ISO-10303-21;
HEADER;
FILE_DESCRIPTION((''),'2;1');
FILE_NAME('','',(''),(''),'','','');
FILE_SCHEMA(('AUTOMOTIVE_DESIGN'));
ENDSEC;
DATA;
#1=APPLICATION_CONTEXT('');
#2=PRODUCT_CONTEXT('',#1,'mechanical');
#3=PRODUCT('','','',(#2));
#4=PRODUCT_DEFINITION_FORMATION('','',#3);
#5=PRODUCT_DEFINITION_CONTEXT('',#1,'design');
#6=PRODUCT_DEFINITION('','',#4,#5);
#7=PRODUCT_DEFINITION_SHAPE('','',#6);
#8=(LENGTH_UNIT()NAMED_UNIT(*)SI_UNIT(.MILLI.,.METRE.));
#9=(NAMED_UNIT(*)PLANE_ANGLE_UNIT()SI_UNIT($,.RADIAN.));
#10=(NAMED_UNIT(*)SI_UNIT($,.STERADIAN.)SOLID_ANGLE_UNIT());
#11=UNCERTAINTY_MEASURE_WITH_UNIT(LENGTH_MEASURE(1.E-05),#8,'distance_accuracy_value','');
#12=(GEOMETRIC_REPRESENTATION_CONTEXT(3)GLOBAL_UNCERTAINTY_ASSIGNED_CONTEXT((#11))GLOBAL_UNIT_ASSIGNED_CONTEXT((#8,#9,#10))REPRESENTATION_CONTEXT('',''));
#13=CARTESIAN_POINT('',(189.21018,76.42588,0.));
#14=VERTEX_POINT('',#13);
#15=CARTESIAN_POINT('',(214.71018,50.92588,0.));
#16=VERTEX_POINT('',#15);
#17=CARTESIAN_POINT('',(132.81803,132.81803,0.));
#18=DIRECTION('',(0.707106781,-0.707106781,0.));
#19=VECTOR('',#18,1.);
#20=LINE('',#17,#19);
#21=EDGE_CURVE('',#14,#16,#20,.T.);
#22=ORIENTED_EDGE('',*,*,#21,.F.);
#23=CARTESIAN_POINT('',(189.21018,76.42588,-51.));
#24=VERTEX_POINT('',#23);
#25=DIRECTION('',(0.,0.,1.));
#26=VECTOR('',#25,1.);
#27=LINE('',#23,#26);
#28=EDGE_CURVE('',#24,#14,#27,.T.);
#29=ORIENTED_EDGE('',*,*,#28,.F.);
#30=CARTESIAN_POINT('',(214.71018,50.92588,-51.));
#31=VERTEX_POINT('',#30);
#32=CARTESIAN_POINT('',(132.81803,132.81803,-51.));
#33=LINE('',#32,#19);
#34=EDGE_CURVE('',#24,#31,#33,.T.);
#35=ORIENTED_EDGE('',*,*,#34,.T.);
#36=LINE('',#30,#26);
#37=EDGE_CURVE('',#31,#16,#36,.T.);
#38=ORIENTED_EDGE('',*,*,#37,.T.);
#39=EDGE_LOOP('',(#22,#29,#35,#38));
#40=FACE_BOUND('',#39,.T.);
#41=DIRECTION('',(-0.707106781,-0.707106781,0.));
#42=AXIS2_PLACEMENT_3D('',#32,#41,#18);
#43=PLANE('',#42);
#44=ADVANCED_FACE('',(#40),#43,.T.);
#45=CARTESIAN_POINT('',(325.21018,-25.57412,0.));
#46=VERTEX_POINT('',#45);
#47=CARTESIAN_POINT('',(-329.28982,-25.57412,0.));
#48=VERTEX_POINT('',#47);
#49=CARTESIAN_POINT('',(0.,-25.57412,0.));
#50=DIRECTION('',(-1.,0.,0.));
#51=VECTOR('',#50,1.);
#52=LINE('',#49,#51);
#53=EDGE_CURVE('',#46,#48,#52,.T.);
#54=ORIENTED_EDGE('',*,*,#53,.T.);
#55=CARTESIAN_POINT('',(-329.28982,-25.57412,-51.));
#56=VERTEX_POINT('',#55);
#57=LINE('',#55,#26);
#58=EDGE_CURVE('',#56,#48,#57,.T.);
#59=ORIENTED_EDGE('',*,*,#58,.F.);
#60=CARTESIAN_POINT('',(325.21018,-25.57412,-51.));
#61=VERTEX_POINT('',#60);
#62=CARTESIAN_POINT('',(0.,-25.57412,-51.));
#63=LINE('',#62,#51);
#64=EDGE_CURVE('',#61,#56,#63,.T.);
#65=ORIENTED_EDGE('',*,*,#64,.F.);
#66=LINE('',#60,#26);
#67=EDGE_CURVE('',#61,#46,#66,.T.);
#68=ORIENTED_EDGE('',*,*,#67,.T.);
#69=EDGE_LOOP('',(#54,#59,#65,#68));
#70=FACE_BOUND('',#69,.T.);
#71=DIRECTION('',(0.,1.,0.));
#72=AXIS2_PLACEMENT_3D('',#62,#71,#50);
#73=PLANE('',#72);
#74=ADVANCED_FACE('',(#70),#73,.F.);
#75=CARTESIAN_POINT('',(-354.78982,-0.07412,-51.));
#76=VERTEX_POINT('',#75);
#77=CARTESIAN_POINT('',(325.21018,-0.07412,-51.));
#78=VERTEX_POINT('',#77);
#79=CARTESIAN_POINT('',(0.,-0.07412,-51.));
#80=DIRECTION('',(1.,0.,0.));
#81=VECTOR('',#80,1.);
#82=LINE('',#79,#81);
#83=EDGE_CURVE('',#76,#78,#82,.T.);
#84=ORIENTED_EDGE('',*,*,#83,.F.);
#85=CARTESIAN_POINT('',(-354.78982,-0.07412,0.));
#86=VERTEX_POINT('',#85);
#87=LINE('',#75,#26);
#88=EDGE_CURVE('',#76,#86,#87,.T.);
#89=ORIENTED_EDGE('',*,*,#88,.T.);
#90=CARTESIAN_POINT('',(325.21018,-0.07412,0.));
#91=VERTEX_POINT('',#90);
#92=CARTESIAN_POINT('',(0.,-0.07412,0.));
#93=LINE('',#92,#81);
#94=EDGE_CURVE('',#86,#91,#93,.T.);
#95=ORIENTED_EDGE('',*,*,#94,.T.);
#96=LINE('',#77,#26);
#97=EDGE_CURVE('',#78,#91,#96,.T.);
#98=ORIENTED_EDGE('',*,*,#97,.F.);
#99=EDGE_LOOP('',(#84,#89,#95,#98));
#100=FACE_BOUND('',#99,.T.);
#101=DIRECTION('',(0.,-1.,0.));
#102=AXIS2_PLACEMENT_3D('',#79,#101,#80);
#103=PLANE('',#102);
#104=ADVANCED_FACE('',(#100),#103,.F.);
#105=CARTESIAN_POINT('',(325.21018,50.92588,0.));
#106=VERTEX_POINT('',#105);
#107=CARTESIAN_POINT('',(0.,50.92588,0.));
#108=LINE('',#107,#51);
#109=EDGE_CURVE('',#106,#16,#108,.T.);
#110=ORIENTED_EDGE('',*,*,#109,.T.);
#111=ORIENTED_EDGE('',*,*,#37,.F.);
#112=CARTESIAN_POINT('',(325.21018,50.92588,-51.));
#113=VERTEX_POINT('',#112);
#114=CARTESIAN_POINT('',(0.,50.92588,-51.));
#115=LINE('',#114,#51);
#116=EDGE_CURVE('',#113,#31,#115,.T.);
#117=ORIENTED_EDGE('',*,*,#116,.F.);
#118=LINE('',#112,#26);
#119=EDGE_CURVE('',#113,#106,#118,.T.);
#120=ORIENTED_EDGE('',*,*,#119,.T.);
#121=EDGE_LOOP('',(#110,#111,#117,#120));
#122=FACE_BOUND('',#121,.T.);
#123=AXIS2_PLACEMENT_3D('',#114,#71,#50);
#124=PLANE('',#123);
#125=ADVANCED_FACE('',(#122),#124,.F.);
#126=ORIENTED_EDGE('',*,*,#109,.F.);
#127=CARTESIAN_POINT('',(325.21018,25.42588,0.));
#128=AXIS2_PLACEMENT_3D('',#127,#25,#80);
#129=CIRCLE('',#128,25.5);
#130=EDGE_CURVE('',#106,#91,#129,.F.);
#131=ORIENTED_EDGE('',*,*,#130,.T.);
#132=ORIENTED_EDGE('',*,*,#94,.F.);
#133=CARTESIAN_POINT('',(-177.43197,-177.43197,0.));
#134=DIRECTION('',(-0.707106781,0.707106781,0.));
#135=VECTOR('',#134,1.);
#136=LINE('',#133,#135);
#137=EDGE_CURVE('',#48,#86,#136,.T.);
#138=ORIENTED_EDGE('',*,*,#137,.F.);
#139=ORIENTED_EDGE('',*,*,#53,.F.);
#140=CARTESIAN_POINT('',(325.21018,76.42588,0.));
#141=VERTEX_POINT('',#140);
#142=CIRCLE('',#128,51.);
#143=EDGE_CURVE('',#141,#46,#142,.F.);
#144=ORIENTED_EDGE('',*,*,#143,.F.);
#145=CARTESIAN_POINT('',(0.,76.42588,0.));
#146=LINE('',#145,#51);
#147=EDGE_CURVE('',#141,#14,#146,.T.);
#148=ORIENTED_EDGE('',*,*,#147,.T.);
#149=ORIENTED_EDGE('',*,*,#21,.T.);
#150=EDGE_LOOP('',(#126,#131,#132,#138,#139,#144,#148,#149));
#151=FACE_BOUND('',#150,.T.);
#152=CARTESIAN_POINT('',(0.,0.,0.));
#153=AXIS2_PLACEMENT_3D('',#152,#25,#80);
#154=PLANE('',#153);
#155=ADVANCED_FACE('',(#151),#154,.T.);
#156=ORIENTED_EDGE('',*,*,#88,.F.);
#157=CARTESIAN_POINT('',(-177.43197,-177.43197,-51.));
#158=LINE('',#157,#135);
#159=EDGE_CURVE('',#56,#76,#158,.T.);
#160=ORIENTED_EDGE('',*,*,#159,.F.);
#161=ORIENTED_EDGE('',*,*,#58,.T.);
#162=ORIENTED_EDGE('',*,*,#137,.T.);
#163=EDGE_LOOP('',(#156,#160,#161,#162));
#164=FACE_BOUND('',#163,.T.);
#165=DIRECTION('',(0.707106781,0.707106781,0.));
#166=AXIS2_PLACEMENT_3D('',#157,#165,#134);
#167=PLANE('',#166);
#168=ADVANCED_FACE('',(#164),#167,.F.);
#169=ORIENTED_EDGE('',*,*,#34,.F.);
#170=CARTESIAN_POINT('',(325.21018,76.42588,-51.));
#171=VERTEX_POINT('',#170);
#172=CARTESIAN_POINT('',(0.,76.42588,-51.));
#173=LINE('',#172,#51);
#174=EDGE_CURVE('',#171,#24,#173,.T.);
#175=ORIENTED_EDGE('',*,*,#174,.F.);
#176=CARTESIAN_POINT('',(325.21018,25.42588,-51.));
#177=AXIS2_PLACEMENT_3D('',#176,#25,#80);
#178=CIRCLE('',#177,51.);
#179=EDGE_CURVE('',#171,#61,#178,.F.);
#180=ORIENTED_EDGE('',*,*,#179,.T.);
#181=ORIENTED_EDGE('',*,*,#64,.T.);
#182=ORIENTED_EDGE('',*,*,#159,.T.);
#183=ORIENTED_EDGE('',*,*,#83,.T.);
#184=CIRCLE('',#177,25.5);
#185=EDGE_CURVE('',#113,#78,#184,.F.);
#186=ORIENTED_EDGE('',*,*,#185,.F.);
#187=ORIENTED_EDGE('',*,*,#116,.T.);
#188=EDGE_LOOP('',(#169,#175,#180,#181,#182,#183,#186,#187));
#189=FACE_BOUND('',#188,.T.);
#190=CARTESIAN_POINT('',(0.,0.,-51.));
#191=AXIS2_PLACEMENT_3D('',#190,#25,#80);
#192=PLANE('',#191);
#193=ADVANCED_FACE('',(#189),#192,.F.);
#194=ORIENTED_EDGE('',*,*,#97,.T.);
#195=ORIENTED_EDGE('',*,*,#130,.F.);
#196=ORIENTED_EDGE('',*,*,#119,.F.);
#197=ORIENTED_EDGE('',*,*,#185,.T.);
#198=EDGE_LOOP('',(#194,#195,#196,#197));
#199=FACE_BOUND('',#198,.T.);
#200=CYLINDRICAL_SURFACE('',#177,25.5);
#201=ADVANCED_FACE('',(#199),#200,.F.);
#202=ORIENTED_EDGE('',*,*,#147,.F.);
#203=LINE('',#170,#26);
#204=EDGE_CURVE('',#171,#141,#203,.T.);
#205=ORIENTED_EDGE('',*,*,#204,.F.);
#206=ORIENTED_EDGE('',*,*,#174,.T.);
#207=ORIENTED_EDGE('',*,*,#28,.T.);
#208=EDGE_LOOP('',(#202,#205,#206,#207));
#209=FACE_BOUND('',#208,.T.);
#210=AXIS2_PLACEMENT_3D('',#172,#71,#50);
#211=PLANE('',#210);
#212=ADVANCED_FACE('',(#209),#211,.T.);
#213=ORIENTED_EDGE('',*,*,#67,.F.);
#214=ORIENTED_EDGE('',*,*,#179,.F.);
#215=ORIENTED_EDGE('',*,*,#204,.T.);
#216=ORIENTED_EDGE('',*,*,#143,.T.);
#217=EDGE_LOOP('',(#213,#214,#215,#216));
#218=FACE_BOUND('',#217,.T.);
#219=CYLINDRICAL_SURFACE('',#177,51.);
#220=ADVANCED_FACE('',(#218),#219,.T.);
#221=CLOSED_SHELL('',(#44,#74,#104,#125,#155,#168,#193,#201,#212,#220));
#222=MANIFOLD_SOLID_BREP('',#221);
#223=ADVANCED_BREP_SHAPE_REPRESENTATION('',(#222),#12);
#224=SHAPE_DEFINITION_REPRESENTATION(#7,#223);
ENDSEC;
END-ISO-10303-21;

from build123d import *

# Parameters (mm, degrees)
EXTRUDE_1_DEPTH = 30
SCALE_1_SCALE   = 1.7


with BuildPart() as part:
    # 草图1 → 凸台-拉伸1 (new body)
    with BuildSketch(Plane.XY):
        with BuildLine():
            Line((111.300105962, 44.956400142), (126.300105962, 29.956400142))
            Line((126.300105962, 29.956400142), (191.300105962, 29.956400142))
            ThreePointArc((191.300105962, 29.956400142), (206.300105962, 14.956400142), (191.300105962, -0.043599858))
            Line((191.300105962, -0.043599858), (-208.699894038, -0.043599858))
            Line((-208.699894038, -0.043599858), (-193.699894038, -15.043599858))
            Line((-193.699894038, -15.043599858), (191.300105962, -15.043599858))
            ThreePointArc((191.300105962, -15.043599858), (221.300105962, 14.956400142), (191.300105962, 44.956400142))
            Line((191.300105962, 44.956400142), (111.300105962, 44.956400142))
        make_face()
    extrude(amount=-EXTRUDE_1_DEPTH)


with BuildPart() as part_1:
    # 缩放比例1: scaled about (0, 0, 0)
    add(part.part.scale(SCALE_1_SCALE))


solid = part_1.part
